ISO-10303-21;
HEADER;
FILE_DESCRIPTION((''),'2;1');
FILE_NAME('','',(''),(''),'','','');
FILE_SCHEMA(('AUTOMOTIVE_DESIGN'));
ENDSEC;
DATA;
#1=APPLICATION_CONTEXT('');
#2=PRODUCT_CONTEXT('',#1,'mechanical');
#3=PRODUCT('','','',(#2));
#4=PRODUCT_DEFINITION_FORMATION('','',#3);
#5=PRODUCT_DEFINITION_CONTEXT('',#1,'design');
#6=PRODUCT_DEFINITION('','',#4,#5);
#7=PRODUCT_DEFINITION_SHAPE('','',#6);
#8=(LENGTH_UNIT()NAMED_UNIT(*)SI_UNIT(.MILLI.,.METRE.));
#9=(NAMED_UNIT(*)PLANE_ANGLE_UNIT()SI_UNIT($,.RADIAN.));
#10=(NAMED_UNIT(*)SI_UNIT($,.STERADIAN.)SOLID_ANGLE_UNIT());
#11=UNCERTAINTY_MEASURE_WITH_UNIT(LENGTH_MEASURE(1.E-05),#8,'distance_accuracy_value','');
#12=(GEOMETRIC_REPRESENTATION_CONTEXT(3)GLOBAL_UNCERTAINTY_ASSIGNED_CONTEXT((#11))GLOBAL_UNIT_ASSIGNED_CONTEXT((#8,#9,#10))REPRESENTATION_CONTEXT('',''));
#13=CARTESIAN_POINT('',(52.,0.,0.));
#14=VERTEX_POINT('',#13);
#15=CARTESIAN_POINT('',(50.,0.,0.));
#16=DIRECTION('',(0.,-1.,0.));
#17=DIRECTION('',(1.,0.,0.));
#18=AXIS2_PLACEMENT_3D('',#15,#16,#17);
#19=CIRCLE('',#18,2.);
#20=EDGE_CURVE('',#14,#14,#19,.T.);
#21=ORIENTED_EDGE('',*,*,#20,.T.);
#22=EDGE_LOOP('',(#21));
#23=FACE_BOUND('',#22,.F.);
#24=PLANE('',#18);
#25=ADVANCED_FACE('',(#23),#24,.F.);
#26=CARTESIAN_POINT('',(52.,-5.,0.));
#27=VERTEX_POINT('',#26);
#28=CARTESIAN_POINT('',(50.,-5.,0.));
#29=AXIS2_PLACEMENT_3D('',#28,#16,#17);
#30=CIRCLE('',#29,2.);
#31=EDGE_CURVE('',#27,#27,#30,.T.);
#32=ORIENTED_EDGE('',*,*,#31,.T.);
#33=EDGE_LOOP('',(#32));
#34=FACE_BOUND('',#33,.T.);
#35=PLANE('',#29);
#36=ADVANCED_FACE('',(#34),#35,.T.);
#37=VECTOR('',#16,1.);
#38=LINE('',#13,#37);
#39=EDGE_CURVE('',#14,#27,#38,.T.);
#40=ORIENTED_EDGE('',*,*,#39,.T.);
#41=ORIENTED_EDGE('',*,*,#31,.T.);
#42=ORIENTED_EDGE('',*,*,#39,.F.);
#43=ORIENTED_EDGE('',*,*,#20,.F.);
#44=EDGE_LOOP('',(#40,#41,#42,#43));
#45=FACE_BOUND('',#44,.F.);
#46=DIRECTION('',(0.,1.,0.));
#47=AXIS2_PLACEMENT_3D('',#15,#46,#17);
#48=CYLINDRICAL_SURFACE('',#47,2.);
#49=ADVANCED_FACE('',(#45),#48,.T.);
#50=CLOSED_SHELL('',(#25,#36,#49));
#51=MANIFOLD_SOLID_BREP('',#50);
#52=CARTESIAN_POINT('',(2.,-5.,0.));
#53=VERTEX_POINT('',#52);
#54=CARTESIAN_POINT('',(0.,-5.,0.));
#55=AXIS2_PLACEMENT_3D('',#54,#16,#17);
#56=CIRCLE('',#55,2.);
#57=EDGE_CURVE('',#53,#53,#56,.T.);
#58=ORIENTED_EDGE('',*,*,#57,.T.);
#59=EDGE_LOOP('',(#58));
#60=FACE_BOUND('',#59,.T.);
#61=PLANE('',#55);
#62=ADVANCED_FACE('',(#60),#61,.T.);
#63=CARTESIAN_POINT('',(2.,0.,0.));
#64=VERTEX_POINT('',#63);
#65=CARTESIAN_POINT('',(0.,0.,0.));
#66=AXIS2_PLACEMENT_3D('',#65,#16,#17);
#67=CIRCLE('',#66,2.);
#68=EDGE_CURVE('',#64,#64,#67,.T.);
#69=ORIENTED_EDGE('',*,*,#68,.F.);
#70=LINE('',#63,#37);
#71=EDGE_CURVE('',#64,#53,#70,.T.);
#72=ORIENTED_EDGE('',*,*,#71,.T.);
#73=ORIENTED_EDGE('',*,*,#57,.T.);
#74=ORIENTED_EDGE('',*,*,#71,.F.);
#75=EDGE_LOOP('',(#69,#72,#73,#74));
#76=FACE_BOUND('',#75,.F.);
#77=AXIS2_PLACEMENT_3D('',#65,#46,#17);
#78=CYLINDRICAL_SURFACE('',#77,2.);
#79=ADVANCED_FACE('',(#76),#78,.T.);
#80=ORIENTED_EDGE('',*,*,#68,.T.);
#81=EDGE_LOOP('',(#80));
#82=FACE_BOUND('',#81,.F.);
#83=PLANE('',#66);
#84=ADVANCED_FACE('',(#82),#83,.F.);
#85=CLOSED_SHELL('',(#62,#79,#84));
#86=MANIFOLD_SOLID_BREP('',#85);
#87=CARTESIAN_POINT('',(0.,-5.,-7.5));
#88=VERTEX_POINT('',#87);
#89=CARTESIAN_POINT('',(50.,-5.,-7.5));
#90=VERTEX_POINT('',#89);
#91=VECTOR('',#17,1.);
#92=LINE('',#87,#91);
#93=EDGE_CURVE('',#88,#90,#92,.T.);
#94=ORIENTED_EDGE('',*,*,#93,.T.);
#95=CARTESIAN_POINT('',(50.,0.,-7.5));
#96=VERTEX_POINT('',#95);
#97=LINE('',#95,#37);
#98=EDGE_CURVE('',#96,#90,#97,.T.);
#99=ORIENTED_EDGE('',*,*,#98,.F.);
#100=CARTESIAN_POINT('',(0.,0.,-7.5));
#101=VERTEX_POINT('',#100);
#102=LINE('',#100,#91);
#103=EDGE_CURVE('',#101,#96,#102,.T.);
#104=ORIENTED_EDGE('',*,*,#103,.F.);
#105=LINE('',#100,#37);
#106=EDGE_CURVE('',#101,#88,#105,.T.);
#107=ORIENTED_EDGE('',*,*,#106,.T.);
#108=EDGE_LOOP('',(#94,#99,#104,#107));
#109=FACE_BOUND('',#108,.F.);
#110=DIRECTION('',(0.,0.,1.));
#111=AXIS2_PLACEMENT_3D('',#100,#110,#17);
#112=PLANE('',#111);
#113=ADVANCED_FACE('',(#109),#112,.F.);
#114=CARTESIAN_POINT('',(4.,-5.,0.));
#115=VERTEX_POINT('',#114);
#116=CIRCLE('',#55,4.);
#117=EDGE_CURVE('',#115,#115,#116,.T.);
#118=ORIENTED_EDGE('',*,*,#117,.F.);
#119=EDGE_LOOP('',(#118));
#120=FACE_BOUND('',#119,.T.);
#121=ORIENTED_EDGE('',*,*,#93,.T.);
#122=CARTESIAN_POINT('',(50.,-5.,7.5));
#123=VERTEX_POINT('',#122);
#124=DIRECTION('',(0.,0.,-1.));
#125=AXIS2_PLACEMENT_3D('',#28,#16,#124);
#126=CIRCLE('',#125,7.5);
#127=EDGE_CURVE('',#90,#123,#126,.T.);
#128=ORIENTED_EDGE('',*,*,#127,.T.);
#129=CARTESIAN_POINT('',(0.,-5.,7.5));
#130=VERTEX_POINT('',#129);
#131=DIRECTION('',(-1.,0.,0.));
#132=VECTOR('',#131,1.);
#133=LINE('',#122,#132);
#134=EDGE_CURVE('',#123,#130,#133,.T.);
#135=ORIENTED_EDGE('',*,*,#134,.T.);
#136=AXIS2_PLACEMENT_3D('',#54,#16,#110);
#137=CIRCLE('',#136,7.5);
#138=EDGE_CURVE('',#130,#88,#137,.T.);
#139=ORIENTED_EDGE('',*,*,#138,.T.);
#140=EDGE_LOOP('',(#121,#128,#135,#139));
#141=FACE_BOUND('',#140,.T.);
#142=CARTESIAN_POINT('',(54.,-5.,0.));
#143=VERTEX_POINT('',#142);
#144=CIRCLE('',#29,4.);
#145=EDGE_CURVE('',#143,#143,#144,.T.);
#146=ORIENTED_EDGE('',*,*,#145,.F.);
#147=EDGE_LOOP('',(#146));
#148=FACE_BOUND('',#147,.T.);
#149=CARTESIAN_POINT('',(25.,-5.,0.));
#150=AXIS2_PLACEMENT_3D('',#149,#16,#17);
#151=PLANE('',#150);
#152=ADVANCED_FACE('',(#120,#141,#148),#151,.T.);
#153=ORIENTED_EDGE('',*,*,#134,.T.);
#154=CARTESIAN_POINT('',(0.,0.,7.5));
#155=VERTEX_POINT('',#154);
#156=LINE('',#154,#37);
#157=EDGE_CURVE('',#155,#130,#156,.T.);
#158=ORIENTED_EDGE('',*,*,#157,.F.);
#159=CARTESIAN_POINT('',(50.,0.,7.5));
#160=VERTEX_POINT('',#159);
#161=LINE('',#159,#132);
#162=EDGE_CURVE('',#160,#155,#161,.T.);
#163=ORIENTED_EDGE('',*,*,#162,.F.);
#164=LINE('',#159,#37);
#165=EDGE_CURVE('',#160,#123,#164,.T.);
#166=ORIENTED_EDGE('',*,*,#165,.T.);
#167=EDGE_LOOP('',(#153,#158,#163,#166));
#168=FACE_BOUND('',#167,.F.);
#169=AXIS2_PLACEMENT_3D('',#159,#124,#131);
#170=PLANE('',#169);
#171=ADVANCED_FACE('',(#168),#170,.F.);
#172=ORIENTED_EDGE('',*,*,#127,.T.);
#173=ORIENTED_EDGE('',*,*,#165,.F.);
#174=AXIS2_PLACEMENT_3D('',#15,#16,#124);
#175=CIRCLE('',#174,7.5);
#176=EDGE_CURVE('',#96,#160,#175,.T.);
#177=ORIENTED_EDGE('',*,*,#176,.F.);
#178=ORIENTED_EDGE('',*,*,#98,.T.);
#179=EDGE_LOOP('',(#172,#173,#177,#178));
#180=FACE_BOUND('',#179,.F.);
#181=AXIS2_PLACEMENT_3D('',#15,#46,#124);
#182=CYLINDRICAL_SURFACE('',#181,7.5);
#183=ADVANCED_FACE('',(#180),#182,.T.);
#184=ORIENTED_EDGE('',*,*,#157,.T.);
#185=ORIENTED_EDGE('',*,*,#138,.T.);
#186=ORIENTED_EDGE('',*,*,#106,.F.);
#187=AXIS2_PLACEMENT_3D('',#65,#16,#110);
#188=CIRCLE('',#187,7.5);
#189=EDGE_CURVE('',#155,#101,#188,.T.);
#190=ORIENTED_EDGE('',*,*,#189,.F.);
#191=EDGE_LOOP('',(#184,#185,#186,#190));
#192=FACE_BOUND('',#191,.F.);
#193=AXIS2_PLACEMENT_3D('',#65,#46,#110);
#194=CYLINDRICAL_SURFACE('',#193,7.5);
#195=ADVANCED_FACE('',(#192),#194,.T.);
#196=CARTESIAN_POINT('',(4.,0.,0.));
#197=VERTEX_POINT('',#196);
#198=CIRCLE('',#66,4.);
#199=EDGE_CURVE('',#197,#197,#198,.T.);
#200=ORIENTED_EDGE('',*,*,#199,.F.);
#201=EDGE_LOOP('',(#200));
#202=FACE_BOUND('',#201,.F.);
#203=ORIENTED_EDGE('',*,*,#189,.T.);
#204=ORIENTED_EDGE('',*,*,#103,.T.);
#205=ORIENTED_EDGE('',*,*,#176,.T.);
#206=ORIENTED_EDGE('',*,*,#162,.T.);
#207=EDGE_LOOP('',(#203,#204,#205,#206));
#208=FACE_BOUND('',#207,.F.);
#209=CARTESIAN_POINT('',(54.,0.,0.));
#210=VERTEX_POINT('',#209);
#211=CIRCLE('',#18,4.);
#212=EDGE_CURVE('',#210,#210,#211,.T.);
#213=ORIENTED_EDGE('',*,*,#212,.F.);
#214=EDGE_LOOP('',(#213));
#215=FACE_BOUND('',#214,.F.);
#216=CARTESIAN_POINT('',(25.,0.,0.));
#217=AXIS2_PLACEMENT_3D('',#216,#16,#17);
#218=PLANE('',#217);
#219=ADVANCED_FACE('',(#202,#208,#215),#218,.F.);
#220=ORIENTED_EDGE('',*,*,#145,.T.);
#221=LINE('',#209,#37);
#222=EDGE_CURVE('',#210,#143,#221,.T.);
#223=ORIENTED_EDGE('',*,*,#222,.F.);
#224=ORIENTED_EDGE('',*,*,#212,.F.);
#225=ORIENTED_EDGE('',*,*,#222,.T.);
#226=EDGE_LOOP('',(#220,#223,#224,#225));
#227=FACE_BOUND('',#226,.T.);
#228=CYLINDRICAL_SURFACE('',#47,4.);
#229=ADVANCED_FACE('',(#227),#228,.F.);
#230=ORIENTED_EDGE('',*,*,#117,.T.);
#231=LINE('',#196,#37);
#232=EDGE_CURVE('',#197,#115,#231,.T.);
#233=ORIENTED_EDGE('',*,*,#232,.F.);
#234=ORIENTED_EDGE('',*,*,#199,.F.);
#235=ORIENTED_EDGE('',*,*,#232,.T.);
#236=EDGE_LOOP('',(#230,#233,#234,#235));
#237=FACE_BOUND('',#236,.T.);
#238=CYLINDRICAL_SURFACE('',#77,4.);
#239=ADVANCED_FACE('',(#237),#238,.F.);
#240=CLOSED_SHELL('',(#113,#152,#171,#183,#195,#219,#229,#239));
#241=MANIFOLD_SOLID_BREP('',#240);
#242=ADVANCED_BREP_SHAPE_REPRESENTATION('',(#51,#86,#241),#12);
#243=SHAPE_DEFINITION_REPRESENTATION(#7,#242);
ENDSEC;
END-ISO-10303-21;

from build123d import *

# Parameters (mm, degrees)
F0_R     = 4
F1_DEPTH = 5
F2_R     = 2
F3_DEPTH = 5


with BuildPart() as f1:
    # F0 (on Front) → F1 (new body)
    with BuildSketch(Plane.XZ):
        with BuildLine():
            Line((50, 7.5), (0, 7.5))
            ThreePointArc((0, 7.5), (-7.5, 0), (0, -7.5))
            Line((0, -7.5), (50, -7.5))
            ThreePointArc((50, -7.5), (57.5, 0), (50, 7.5))
        make_face()
        Circle(F0_R, mode=Mode.SUBTRACT)
        with Locations((50, 0)):
            Circle(F0_R, mode=Mode.SUBTRACT)
    extrude(amount=F1_DEPTH)


with BuildPart() as f3:
    # F2 (on Front) → F3 (new body)
    with BuildSketch(Plane.XZ):
        Circle(F2_R)
        with Locations((50, 0)):
            Circle(F2_R)
    extrude(amount=F3_DEPTH)


solid = Compound([f1.part, f3.part])
